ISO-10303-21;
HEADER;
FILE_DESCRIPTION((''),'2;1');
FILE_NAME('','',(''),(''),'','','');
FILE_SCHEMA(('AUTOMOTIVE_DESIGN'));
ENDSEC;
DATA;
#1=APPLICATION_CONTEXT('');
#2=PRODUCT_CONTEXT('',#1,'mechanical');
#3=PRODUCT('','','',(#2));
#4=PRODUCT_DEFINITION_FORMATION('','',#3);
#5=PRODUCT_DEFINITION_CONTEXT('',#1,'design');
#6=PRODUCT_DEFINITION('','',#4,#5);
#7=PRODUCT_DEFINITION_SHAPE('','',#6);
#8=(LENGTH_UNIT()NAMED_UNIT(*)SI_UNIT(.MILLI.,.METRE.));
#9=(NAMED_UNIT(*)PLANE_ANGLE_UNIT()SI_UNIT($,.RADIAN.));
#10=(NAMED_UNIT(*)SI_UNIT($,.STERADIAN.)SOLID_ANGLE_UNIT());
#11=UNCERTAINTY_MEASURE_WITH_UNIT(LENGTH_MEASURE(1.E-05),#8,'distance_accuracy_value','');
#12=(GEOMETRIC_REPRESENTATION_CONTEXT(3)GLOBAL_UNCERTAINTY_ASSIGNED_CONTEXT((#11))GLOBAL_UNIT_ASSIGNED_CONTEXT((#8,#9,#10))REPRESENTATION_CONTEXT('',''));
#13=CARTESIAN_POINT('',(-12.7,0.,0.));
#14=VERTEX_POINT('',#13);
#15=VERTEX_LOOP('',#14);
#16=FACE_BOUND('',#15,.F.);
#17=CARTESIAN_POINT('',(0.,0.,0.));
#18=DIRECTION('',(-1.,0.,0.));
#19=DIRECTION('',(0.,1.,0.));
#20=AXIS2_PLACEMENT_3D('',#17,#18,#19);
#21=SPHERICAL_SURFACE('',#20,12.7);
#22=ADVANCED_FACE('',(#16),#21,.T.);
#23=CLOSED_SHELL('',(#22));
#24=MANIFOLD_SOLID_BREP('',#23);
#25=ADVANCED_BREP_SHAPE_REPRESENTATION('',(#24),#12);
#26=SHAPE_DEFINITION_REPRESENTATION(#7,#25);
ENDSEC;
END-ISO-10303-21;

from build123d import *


with BuildPart() as part:
    # Sketch1 → Revolve1 (revolve)
    with BuildSketch(Plane.XY):
        with BuildLine():
            Line((-12.7, 0), (12.7, 0))
            ThreePointArc((12.7, 0), (0, 12.7), (-12.7, 0))
        make_face()
    revolve(axis=Axis((-12.7, 0, 0), (1, 0, 0)))


solid = part.part
